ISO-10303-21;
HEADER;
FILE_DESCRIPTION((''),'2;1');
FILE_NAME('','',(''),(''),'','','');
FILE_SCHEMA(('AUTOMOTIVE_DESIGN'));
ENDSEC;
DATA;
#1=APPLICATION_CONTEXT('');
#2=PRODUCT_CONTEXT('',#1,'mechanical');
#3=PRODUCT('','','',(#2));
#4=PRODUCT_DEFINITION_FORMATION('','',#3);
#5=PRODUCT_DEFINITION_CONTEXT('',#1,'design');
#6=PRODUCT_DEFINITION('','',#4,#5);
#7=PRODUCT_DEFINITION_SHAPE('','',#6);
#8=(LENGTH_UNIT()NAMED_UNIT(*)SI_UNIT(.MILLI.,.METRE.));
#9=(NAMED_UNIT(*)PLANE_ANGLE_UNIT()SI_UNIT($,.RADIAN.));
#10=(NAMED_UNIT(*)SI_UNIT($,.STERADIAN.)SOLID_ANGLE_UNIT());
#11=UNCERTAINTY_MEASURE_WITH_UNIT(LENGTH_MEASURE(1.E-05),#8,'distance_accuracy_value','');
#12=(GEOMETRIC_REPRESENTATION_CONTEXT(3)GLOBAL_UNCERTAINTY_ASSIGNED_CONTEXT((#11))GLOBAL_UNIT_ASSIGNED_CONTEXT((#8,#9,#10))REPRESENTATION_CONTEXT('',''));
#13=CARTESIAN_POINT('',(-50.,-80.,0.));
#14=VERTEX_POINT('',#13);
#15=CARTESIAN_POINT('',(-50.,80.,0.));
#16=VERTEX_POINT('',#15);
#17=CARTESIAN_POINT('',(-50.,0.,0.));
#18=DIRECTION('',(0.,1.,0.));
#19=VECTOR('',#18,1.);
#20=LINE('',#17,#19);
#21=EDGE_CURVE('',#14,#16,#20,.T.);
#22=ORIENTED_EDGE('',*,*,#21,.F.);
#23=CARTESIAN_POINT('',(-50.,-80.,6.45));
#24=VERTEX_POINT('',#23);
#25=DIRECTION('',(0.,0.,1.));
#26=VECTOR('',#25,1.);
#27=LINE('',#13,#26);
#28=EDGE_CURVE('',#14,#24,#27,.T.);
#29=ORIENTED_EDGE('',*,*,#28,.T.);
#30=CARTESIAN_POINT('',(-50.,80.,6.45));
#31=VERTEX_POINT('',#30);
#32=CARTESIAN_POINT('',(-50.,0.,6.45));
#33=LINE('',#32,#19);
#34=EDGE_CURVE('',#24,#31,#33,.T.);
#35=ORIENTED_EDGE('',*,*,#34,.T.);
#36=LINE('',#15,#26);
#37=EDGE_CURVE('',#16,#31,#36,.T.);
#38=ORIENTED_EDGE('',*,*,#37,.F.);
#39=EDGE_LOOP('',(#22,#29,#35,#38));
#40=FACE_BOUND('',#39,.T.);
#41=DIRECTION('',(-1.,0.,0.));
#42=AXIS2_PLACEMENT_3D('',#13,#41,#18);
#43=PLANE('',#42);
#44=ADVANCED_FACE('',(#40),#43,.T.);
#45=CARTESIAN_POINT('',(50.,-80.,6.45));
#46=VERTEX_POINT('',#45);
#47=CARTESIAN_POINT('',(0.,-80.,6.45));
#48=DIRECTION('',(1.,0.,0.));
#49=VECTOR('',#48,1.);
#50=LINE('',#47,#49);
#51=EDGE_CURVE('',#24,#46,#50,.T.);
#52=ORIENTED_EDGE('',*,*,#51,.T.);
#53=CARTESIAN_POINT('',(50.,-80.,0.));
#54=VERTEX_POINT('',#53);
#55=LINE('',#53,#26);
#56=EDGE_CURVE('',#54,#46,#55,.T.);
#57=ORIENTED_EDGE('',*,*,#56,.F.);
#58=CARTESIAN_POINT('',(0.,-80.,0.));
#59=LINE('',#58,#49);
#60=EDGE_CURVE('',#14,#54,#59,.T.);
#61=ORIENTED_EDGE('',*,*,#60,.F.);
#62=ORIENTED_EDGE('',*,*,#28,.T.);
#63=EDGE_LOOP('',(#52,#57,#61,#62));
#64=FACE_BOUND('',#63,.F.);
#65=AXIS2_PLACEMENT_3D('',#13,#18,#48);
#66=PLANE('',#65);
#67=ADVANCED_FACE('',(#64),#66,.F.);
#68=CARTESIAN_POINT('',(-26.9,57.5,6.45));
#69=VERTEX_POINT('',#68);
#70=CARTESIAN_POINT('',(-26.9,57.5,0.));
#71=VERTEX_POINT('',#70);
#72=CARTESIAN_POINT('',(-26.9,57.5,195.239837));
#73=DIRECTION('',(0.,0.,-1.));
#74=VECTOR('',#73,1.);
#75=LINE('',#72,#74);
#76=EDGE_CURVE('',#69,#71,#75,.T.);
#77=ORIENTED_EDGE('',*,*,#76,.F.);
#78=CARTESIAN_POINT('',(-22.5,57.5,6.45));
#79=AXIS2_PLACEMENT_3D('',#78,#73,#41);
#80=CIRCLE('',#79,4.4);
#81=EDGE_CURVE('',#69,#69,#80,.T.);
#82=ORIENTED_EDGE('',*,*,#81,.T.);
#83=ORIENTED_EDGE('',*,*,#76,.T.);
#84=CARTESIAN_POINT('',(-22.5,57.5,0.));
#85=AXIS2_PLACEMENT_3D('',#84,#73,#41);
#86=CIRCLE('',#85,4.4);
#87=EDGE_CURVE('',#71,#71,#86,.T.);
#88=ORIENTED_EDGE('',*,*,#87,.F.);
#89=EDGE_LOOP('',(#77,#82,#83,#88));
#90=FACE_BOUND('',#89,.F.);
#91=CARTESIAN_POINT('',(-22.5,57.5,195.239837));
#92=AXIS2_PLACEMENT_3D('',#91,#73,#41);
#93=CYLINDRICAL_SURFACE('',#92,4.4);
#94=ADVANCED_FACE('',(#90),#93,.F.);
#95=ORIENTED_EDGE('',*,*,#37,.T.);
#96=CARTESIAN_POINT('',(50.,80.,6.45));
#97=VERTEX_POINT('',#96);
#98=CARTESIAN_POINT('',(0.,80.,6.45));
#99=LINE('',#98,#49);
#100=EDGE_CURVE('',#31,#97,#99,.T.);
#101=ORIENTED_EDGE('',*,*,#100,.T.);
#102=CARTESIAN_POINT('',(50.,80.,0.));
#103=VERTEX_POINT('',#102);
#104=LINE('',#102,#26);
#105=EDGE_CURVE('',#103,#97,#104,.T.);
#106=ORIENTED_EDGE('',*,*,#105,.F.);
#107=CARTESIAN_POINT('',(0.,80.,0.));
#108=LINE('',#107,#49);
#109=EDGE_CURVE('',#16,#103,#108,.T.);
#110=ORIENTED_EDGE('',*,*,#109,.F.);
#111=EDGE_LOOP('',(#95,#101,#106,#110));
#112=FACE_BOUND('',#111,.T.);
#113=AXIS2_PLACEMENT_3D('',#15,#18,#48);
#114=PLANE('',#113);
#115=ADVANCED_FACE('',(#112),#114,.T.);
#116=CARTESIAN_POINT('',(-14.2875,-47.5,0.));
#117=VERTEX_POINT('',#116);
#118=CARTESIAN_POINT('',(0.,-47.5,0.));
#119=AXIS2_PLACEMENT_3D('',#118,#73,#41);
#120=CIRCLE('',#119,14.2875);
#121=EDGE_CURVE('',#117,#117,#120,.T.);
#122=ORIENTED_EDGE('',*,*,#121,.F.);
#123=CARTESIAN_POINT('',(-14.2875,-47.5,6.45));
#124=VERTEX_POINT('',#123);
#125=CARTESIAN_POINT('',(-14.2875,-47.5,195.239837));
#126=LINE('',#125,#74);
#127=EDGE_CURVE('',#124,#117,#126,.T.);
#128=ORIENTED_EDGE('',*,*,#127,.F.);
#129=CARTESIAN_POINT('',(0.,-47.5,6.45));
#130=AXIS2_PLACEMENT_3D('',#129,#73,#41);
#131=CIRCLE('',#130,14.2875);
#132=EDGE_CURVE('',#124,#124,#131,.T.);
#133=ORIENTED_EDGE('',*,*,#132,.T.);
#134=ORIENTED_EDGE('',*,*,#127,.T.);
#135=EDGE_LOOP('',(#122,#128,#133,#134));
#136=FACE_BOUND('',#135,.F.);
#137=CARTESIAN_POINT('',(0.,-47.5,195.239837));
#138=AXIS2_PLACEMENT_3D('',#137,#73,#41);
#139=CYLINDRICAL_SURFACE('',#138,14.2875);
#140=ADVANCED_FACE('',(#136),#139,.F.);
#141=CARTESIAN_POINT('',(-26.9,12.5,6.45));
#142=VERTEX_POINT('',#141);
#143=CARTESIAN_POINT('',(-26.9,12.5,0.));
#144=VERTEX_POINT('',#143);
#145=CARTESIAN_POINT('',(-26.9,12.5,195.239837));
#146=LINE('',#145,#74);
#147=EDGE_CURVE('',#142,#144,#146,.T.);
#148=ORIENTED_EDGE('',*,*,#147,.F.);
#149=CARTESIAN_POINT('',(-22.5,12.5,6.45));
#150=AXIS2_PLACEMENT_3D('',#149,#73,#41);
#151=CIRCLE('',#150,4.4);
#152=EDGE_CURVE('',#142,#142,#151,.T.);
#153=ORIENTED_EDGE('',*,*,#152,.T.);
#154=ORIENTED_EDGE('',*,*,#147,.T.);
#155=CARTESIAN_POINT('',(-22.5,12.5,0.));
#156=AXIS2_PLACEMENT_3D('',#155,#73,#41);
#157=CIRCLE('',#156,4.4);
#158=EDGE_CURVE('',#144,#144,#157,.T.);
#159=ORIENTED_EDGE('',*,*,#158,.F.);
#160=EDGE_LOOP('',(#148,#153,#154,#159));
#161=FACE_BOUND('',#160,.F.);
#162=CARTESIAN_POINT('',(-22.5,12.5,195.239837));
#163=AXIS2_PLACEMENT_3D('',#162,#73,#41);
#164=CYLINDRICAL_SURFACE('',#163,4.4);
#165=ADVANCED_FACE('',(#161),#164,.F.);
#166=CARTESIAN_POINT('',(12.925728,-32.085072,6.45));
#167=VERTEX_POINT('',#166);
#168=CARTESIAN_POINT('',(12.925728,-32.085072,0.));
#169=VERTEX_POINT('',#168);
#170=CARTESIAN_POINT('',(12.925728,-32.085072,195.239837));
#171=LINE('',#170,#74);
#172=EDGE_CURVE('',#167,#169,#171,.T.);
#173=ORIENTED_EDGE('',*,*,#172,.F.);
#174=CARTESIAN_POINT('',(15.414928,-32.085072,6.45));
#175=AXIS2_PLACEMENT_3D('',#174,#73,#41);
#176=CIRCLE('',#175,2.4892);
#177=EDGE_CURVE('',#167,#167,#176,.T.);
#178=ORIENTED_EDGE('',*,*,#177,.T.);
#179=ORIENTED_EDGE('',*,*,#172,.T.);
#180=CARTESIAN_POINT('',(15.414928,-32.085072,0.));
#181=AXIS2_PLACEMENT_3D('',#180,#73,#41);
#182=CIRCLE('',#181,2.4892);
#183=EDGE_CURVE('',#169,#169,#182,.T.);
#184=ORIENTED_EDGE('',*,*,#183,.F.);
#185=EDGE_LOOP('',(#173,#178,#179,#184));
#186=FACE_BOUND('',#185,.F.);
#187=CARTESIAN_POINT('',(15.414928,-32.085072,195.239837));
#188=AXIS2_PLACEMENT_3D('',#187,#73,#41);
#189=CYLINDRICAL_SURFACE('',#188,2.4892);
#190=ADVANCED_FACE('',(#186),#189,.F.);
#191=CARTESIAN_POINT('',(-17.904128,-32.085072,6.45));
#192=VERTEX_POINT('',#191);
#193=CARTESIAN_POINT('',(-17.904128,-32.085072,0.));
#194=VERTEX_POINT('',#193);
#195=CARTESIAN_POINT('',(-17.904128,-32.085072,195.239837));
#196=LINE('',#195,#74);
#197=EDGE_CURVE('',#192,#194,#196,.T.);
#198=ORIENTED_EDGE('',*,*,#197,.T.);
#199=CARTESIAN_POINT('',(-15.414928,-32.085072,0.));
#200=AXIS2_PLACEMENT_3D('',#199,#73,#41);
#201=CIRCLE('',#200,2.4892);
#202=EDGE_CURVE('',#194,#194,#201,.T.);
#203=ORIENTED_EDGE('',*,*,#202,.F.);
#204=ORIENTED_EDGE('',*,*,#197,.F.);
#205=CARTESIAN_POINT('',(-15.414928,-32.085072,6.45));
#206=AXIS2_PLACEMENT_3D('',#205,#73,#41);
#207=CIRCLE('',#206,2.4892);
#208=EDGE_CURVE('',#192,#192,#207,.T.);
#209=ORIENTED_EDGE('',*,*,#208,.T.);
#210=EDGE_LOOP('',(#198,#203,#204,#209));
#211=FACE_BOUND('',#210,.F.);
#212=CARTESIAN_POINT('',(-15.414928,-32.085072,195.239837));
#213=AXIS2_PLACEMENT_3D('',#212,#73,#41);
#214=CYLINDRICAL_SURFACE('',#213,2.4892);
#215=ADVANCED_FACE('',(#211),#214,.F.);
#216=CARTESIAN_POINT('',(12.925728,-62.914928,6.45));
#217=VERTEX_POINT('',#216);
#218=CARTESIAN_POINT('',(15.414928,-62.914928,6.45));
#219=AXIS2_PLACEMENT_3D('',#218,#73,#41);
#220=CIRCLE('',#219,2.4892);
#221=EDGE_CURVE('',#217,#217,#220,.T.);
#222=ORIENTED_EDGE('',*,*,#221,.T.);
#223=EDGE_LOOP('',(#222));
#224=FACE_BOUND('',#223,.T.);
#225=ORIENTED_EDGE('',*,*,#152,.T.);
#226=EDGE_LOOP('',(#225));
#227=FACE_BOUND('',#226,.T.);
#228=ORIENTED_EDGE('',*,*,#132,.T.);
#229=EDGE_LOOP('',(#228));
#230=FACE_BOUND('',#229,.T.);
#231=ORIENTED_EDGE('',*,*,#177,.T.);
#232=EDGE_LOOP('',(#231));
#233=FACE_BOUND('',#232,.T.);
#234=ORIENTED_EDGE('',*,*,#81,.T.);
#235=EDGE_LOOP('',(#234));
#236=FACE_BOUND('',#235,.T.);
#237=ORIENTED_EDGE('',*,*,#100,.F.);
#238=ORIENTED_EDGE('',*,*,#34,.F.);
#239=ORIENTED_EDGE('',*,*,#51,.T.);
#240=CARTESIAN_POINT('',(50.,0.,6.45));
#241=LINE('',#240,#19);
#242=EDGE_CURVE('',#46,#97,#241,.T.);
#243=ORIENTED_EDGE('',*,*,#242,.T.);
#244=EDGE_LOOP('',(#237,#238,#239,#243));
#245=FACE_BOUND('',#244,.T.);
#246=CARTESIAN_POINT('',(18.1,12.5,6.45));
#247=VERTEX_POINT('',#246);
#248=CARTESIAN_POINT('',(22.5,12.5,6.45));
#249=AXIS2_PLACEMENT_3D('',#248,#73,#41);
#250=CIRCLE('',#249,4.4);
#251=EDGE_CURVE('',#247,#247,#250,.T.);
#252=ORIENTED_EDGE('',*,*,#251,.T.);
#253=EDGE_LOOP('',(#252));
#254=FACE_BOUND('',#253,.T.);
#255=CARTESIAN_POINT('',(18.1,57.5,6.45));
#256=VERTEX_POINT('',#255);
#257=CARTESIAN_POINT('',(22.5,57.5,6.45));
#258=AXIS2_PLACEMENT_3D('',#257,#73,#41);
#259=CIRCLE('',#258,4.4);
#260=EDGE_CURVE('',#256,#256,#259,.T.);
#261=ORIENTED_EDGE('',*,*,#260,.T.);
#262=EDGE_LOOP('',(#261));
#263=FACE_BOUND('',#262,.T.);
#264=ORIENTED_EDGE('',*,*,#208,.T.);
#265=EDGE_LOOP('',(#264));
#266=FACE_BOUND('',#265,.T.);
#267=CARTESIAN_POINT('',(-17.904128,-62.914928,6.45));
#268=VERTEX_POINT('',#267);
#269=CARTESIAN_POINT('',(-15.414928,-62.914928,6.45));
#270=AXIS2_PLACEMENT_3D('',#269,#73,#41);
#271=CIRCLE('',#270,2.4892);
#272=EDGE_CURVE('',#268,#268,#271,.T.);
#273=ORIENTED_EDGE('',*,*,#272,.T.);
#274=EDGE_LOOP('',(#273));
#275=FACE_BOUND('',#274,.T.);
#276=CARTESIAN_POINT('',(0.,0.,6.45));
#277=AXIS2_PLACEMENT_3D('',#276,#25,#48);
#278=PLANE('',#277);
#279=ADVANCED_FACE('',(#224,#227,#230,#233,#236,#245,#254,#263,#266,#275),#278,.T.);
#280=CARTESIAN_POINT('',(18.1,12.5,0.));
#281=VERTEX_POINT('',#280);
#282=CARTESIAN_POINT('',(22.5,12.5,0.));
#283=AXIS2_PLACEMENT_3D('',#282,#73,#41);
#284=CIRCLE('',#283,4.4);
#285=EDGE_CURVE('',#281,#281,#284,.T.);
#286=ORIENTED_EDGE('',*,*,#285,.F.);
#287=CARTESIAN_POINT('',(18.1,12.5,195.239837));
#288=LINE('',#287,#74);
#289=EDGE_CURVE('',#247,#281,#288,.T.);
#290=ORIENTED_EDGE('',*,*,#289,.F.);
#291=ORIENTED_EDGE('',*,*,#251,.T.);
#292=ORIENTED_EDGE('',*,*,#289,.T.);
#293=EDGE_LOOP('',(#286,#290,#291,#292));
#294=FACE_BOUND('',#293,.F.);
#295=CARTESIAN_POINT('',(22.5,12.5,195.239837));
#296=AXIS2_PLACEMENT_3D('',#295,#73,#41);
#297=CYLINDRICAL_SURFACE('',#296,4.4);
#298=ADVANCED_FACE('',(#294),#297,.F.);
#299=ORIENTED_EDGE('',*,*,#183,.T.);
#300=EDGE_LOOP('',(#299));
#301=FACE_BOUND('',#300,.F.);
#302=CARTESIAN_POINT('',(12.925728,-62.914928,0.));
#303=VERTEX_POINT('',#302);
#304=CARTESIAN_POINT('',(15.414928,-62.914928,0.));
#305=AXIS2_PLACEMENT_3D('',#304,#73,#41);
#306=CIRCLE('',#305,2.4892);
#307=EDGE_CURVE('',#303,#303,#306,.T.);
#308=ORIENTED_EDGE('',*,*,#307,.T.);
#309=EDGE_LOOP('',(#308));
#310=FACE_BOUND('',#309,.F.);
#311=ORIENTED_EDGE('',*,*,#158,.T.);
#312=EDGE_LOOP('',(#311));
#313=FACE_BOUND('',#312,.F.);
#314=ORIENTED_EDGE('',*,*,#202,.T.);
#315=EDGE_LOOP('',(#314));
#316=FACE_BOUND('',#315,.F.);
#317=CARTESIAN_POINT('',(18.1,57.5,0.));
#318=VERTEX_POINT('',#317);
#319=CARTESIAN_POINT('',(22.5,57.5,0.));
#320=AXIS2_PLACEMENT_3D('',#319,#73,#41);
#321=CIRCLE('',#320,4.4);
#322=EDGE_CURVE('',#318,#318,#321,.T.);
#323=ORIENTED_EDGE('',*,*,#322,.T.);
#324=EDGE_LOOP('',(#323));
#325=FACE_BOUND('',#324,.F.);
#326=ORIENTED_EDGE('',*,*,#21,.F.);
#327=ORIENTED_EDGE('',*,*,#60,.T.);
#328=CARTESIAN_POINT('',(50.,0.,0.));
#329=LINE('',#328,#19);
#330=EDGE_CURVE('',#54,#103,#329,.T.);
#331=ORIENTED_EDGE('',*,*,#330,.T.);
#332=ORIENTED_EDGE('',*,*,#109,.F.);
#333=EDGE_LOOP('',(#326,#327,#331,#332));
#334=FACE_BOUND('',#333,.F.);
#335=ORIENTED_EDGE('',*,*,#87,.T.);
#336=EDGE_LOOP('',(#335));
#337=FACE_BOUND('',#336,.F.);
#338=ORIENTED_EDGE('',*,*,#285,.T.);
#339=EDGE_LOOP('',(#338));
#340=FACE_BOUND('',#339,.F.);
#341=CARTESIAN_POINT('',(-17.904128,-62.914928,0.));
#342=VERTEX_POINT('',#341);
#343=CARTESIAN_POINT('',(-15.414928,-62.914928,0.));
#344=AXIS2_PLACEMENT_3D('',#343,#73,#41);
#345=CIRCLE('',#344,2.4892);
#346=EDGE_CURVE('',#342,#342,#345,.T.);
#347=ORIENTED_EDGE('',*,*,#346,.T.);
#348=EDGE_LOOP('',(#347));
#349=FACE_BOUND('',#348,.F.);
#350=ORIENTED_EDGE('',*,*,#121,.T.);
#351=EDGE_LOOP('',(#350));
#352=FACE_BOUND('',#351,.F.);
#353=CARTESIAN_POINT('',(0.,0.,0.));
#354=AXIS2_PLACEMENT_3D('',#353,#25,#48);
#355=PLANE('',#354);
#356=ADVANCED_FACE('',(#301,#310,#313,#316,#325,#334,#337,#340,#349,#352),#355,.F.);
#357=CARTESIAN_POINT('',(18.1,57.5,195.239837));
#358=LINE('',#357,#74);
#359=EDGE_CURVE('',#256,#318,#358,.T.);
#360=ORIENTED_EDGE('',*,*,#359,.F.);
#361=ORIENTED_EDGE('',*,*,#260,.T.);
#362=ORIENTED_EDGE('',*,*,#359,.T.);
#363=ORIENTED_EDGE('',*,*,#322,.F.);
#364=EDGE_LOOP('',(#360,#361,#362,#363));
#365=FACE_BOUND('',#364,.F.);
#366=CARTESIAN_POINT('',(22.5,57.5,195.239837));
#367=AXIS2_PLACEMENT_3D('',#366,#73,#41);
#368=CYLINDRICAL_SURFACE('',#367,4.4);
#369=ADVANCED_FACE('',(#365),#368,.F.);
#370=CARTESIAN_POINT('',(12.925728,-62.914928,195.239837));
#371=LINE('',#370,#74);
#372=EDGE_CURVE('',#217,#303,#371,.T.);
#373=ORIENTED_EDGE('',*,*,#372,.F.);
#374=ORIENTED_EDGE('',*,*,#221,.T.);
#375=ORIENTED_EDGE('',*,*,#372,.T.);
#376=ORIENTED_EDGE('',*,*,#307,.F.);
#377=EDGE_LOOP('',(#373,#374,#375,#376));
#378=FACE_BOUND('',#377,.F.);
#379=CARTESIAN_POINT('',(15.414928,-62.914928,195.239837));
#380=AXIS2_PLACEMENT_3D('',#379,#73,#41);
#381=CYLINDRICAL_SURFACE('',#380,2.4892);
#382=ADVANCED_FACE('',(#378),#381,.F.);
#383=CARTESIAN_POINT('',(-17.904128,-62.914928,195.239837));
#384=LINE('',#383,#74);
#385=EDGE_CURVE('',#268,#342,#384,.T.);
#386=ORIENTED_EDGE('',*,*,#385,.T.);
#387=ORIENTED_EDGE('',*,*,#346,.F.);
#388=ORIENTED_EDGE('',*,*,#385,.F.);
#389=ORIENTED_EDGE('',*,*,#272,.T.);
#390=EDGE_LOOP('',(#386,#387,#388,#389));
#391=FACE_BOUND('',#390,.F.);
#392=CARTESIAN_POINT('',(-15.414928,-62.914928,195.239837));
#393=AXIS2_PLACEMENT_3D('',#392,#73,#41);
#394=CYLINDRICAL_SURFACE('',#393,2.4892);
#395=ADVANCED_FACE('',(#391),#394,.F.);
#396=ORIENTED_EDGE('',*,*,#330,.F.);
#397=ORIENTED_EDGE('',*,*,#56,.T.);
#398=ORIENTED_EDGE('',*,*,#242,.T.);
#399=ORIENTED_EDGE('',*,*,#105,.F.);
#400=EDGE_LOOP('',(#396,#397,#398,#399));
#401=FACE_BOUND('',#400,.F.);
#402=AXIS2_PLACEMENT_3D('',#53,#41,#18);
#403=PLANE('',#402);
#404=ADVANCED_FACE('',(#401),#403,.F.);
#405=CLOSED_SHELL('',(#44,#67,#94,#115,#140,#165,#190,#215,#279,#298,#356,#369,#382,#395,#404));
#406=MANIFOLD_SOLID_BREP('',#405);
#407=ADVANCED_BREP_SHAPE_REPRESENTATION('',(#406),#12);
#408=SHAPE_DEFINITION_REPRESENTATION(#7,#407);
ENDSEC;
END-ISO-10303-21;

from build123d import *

# Parameters (mm, degrees)
F0_W     = 100
F0_H     = 160
F1_DEPTH = 6.45
F3_D     = 8.8
F5_D     = 4.9784
F7_D     = 28.575


with BuildPart() as f1:
    # F0 (on Top) → F1 (new body)
    with BuildSketch(Plane.XY):
        Rectangle(F0_W, F0_H)
    extrude(amount=F1_DEPTH)

    # F3 (through all)
    with Locations(Plane.XY.offset(6.45)):
        with Locations((-22.5, 57.5), (22.5, 57.5), (22.5, 12.5), (-22.5, 12.5)):
            Hole(F3_D / 2)

    # F5 (through all)
    with Locations(Plane.XY.offset(6.45)):
        with Locations((-15.4149278299, -32.0850721701), (15.4149278299, -32.0850721701), (15.4149278299, -62.9149278299), (-15.4149278299, -62.9149278299)):
            Hole(F5_D / 2)

    # F7 (through all)
    with Locations(Plane.XY.offset(6.45)):
        with Locations((0, -47.5)):
            Hole(F7_D / 2)


solid = f1.part
